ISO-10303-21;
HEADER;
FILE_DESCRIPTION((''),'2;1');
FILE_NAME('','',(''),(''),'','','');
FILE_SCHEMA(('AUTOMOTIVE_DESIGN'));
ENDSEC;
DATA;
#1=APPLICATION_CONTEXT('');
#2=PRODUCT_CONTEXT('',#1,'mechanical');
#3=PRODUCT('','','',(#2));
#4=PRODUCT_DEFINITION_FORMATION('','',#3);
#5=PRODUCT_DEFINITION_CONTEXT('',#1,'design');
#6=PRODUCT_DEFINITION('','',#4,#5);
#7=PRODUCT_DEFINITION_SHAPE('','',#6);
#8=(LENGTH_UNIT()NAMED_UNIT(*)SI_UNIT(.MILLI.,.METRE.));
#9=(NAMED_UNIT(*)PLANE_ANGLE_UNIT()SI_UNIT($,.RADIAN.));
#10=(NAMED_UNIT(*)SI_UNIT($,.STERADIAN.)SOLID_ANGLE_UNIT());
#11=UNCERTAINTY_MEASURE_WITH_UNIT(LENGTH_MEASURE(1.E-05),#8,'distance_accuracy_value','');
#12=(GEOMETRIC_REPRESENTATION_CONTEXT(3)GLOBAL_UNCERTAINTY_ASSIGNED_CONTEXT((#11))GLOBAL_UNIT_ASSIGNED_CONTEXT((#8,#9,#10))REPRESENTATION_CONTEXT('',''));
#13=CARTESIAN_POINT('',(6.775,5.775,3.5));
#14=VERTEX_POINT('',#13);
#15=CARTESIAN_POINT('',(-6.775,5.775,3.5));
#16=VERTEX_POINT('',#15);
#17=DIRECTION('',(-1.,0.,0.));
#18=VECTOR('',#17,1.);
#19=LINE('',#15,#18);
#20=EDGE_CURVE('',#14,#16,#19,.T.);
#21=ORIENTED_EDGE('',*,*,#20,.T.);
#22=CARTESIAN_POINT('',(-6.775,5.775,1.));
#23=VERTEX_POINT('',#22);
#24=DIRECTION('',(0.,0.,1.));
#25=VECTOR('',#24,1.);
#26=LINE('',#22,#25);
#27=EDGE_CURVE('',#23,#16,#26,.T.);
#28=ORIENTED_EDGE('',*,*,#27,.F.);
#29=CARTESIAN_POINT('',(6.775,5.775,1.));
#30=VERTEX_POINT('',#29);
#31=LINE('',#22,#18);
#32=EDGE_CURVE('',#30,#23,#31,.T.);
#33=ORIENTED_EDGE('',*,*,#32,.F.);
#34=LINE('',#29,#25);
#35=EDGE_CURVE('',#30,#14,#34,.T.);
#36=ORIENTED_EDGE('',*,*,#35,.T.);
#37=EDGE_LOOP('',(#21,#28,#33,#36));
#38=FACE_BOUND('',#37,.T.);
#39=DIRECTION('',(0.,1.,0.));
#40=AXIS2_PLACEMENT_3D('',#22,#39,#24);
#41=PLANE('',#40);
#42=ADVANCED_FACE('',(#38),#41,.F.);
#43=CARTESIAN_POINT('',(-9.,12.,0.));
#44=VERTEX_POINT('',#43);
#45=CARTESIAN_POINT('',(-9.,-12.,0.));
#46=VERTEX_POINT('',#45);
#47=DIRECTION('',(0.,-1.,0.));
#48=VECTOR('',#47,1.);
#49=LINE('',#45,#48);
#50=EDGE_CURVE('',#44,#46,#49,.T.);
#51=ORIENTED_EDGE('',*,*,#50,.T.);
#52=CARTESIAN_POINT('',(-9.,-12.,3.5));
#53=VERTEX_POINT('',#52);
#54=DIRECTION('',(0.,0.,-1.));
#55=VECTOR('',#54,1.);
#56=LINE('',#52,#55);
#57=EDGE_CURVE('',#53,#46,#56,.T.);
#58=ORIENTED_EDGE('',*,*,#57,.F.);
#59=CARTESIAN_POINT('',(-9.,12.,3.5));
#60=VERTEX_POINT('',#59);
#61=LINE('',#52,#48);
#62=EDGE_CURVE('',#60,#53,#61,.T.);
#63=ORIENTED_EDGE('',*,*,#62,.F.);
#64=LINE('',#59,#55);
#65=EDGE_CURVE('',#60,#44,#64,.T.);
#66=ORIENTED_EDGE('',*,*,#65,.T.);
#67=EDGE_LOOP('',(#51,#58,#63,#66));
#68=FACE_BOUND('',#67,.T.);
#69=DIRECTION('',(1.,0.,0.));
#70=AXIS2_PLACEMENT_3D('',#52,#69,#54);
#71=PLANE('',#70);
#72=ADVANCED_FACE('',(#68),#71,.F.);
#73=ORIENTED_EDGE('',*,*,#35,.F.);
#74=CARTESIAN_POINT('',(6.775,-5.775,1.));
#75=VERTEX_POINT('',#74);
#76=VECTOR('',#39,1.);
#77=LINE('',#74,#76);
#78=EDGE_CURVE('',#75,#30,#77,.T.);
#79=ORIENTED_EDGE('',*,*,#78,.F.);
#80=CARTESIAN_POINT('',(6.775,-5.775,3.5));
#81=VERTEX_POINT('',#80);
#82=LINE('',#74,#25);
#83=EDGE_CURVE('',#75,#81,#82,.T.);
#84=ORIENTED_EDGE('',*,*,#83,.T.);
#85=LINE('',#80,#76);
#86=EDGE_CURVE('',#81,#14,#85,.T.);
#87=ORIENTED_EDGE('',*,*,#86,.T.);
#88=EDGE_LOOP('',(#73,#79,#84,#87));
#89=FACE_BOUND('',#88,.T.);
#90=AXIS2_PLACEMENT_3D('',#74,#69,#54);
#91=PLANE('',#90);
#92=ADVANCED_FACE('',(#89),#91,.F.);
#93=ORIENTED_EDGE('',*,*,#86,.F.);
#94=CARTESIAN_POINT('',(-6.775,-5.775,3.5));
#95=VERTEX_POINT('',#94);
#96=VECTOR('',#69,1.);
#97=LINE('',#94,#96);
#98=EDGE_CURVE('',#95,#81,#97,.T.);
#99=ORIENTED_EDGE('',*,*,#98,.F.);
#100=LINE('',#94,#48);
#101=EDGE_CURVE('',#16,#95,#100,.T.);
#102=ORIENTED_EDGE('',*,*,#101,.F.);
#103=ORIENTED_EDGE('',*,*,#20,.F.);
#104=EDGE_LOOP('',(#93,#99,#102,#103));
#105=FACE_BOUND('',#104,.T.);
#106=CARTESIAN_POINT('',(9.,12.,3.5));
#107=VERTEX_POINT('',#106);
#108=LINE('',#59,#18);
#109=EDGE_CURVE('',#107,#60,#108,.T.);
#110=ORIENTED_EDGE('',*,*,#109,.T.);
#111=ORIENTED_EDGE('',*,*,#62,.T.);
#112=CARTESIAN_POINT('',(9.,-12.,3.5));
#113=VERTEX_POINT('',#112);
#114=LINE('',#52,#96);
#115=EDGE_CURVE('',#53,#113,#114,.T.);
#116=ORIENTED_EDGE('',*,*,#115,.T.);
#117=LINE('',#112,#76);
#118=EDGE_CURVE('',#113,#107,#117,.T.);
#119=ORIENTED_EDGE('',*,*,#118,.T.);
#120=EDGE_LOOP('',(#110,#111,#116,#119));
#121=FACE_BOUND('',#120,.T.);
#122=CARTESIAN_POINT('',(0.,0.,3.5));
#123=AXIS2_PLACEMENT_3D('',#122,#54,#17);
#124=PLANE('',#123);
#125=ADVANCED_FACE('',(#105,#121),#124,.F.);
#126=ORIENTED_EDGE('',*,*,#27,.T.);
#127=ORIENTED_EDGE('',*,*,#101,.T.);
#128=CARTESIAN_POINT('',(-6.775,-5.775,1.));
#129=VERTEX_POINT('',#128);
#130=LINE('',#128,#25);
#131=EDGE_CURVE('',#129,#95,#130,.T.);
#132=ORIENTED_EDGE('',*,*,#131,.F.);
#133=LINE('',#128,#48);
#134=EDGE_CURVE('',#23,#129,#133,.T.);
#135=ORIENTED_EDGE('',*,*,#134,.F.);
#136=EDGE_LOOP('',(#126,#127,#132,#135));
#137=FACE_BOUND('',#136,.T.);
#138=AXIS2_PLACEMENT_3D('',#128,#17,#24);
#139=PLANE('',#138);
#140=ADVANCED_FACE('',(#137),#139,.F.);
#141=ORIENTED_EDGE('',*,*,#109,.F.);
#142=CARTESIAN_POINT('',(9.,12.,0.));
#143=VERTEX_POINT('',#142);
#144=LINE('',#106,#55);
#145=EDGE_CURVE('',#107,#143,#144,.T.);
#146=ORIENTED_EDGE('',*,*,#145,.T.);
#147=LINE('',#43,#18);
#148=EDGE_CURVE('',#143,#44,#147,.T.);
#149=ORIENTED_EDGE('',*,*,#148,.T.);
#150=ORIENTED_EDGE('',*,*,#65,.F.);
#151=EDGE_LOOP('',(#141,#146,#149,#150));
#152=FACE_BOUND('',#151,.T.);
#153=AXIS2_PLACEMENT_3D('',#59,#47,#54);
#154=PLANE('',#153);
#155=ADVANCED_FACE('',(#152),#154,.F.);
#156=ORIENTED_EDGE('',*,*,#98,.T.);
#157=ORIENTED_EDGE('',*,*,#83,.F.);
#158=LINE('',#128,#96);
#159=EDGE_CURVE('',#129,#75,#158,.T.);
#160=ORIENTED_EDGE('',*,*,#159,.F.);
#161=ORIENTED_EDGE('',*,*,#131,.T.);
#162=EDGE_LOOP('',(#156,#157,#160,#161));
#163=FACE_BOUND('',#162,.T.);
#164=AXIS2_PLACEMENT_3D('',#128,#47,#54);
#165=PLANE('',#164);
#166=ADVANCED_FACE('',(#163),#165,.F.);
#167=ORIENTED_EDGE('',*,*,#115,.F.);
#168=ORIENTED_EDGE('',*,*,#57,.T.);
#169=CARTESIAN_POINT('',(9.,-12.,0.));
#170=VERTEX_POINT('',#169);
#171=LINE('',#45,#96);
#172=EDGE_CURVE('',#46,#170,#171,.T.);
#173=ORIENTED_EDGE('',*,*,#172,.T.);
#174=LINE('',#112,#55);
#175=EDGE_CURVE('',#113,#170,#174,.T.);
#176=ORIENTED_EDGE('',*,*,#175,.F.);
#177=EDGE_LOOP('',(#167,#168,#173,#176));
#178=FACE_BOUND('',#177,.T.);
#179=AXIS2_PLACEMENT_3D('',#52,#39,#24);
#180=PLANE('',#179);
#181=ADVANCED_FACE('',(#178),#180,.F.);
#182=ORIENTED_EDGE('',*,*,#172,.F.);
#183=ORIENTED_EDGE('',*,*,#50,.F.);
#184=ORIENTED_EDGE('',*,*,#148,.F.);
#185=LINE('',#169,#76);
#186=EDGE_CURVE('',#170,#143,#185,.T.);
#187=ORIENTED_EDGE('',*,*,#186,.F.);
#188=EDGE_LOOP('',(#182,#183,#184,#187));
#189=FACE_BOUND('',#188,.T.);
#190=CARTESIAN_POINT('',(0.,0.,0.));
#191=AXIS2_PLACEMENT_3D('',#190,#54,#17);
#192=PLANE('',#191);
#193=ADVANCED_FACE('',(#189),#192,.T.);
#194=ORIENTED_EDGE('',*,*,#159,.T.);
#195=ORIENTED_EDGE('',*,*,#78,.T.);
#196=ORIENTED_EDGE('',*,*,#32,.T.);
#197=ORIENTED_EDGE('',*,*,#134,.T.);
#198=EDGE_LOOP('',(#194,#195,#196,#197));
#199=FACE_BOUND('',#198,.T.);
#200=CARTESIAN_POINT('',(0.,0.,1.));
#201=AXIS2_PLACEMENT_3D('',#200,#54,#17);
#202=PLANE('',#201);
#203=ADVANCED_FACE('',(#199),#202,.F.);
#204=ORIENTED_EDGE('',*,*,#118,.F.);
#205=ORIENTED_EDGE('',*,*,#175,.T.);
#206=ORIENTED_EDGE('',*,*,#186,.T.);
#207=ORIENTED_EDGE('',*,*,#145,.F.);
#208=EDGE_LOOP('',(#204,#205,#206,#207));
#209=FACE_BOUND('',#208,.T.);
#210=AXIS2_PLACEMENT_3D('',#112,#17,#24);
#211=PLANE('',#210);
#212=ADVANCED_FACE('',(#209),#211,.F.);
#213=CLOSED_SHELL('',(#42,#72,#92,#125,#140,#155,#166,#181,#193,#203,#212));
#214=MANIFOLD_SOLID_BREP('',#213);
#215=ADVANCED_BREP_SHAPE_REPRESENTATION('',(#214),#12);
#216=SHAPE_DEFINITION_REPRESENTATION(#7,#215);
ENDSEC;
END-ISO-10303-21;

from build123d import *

# Parameters (mm, degrees)
SKETCH_1_W          = 18
SKETCH_1_H          = 24
EXTRUDE_1_DEPTH     = 3.5
SKETCH_2_W          = 13.55
SKETCH_2_H          = 11.55
CUT_EXTRUDE_1_DEPTH = 2.5


with BuildPart() as part:
    # 스케치1 → 보스-돌출1 (new body)
    with BuildSketch(Plane.XY):
        Rectangle(SKETCH_1_W, SKETCH_1_H)
    extrude(amount=EXTRUDE_1_DEPTH)

    # 스케치2 → 컷-돌출1 (cut)
    with BuildSketch(Plane.XY.offset(3.5)):
        Rectangle(SKETCH_2_W, SKETCH_2_H)
    extrude(amount=-CUT_EXTRUDE_1_DEPTH, mode=Mode.SUBTRACT)


solid = part.part
